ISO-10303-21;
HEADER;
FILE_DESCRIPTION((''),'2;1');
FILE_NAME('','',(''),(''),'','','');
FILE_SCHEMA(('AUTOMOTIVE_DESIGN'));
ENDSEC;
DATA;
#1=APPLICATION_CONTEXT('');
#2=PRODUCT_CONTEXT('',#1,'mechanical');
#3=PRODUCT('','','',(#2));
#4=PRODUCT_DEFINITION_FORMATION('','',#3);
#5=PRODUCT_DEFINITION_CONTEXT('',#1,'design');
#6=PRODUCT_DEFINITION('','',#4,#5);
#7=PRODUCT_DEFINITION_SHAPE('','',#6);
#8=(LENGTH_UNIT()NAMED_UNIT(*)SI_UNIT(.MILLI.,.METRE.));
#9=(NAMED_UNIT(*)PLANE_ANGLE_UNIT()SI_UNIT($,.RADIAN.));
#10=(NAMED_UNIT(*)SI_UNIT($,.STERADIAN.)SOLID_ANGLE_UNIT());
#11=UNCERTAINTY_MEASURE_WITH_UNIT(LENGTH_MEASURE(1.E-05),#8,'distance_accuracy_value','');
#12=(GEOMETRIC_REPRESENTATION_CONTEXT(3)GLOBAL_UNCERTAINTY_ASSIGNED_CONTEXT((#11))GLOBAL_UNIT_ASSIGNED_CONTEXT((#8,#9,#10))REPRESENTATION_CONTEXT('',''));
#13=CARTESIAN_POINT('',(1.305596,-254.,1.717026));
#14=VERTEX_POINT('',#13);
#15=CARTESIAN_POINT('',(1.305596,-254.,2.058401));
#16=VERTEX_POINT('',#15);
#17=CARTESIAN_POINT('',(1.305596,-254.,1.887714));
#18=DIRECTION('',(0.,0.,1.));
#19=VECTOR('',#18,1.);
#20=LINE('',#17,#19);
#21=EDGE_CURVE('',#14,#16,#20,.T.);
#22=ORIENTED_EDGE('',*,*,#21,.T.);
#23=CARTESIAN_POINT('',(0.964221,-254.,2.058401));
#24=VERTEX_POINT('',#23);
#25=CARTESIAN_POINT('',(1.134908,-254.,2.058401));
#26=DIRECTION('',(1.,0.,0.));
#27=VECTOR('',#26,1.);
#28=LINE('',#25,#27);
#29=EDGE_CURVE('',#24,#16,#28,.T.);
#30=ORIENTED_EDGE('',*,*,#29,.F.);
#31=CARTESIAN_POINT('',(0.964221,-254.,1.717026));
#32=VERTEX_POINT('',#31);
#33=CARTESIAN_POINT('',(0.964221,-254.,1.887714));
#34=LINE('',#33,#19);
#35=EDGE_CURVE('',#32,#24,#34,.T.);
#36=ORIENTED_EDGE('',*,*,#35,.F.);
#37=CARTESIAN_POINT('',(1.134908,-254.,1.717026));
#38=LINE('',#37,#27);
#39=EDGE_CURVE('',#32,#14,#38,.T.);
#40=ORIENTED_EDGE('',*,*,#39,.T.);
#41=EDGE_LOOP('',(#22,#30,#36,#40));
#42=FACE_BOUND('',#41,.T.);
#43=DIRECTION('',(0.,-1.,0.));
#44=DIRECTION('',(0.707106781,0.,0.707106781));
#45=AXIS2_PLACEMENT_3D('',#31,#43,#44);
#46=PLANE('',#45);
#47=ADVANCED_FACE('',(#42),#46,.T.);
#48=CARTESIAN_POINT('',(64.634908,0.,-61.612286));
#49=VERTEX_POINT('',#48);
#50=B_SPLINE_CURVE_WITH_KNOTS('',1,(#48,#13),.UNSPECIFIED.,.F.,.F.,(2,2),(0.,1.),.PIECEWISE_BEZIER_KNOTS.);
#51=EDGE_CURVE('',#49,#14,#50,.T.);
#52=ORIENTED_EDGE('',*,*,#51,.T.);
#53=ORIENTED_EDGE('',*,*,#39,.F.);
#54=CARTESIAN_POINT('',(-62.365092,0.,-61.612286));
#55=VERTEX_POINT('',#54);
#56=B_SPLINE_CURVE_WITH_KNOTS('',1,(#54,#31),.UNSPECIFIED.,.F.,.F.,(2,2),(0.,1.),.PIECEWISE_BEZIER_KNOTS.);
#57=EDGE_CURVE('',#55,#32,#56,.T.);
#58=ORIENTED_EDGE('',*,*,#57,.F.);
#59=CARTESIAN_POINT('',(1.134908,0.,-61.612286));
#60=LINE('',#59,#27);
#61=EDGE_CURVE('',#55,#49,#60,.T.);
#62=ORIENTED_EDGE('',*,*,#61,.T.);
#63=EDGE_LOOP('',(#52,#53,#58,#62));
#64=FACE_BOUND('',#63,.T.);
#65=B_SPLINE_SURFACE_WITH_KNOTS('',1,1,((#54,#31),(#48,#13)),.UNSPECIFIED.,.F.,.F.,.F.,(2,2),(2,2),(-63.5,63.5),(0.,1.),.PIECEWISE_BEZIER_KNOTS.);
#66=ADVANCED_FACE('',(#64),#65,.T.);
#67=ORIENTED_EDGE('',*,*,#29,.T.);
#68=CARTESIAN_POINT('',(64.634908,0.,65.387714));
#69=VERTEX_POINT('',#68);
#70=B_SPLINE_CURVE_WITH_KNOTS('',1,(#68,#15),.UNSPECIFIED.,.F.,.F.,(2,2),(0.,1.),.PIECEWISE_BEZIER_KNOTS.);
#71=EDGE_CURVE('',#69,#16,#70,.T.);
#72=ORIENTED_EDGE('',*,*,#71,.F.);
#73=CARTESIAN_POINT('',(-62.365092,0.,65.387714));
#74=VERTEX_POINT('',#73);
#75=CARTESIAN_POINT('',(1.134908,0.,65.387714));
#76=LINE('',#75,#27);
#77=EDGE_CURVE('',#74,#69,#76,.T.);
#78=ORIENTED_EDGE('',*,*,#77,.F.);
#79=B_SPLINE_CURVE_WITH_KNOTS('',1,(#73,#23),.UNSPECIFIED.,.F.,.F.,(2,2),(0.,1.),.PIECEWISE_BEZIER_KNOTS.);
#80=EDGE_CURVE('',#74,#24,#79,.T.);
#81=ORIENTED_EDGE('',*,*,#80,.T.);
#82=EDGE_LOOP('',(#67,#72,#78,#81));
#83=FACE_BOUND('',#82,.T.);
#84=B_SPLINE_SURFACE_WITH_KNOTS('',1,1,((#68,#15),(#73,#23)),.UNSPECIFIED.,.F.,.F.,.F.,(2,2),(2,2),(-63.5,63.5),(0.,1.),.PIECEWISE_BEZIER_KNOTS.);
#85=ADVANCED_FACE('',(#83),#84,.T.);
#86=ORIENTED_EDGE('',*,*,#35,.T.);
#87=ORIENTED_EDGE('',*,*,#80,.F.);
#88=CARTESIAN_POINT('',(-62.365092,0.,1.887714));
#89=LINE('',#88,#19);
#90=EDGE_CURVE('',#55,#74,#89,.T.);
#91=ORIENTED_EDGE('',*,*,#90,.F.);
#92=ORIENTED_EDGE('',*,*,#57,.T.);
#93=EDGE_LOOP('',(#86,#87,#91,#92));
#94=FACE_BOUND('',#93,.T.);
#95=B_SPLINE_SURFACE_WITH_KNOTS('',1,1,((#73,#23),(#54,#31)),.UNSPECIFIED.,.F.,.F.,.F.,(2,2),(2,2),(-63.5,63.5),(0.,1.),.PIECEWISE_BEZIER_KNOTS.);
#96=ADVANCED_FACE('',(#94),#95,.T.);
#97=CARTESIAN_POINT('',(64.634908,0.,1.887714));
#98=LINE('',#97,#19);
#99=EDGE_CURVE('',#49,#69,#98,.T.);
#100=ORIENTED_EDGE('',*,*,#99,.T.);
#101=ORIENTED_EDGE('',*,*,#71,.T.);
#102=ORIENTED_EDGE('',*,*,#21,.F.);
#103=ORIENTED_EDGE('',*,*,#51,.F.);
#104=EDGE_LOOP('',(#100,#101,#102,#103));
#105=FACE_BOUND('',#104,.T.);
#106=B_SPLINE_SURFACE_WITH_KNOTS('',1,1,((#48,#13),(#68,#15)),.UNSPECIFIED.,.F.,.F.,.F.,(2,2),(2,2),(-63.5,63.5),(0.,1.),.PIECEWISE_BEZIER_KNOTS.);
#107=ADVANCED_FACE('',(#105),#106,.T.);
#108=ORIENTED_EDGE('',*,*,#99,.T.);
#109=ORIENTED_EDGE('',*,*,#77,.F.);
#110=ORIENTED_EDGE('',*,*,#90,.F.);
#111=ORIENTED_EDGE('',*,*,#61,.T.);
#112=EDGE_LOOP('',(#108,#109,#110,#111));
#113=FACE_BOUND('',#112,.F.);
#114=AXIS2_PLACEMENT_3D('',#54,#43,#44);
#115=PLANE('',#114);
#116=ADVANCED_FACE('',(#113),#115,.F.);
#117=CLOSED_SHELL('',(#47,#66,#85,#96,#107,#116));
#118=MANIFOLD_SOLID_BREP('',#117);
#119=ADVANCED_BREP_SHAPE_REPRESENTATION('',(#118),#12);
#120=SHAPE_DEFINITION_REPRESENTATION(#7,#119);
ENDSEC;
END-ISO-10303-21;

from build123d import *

# Parameters (mm, degrees)
F0_W     = 127
F0_H     = 127
F1_DEPTH = 254
F1_TAPER = 14


with BuildPart() as f1:
    # F0 (on Front) → F1 (new body)
    with BuildSketch(Plane.XZ):
        with Locations((1.1349083043, 1.887713559)):
            Rectangle(F0_W, F0_H)
    extrude(amount=F1_DEPTH, taper=F1_TAPER)


solid = f1.part
